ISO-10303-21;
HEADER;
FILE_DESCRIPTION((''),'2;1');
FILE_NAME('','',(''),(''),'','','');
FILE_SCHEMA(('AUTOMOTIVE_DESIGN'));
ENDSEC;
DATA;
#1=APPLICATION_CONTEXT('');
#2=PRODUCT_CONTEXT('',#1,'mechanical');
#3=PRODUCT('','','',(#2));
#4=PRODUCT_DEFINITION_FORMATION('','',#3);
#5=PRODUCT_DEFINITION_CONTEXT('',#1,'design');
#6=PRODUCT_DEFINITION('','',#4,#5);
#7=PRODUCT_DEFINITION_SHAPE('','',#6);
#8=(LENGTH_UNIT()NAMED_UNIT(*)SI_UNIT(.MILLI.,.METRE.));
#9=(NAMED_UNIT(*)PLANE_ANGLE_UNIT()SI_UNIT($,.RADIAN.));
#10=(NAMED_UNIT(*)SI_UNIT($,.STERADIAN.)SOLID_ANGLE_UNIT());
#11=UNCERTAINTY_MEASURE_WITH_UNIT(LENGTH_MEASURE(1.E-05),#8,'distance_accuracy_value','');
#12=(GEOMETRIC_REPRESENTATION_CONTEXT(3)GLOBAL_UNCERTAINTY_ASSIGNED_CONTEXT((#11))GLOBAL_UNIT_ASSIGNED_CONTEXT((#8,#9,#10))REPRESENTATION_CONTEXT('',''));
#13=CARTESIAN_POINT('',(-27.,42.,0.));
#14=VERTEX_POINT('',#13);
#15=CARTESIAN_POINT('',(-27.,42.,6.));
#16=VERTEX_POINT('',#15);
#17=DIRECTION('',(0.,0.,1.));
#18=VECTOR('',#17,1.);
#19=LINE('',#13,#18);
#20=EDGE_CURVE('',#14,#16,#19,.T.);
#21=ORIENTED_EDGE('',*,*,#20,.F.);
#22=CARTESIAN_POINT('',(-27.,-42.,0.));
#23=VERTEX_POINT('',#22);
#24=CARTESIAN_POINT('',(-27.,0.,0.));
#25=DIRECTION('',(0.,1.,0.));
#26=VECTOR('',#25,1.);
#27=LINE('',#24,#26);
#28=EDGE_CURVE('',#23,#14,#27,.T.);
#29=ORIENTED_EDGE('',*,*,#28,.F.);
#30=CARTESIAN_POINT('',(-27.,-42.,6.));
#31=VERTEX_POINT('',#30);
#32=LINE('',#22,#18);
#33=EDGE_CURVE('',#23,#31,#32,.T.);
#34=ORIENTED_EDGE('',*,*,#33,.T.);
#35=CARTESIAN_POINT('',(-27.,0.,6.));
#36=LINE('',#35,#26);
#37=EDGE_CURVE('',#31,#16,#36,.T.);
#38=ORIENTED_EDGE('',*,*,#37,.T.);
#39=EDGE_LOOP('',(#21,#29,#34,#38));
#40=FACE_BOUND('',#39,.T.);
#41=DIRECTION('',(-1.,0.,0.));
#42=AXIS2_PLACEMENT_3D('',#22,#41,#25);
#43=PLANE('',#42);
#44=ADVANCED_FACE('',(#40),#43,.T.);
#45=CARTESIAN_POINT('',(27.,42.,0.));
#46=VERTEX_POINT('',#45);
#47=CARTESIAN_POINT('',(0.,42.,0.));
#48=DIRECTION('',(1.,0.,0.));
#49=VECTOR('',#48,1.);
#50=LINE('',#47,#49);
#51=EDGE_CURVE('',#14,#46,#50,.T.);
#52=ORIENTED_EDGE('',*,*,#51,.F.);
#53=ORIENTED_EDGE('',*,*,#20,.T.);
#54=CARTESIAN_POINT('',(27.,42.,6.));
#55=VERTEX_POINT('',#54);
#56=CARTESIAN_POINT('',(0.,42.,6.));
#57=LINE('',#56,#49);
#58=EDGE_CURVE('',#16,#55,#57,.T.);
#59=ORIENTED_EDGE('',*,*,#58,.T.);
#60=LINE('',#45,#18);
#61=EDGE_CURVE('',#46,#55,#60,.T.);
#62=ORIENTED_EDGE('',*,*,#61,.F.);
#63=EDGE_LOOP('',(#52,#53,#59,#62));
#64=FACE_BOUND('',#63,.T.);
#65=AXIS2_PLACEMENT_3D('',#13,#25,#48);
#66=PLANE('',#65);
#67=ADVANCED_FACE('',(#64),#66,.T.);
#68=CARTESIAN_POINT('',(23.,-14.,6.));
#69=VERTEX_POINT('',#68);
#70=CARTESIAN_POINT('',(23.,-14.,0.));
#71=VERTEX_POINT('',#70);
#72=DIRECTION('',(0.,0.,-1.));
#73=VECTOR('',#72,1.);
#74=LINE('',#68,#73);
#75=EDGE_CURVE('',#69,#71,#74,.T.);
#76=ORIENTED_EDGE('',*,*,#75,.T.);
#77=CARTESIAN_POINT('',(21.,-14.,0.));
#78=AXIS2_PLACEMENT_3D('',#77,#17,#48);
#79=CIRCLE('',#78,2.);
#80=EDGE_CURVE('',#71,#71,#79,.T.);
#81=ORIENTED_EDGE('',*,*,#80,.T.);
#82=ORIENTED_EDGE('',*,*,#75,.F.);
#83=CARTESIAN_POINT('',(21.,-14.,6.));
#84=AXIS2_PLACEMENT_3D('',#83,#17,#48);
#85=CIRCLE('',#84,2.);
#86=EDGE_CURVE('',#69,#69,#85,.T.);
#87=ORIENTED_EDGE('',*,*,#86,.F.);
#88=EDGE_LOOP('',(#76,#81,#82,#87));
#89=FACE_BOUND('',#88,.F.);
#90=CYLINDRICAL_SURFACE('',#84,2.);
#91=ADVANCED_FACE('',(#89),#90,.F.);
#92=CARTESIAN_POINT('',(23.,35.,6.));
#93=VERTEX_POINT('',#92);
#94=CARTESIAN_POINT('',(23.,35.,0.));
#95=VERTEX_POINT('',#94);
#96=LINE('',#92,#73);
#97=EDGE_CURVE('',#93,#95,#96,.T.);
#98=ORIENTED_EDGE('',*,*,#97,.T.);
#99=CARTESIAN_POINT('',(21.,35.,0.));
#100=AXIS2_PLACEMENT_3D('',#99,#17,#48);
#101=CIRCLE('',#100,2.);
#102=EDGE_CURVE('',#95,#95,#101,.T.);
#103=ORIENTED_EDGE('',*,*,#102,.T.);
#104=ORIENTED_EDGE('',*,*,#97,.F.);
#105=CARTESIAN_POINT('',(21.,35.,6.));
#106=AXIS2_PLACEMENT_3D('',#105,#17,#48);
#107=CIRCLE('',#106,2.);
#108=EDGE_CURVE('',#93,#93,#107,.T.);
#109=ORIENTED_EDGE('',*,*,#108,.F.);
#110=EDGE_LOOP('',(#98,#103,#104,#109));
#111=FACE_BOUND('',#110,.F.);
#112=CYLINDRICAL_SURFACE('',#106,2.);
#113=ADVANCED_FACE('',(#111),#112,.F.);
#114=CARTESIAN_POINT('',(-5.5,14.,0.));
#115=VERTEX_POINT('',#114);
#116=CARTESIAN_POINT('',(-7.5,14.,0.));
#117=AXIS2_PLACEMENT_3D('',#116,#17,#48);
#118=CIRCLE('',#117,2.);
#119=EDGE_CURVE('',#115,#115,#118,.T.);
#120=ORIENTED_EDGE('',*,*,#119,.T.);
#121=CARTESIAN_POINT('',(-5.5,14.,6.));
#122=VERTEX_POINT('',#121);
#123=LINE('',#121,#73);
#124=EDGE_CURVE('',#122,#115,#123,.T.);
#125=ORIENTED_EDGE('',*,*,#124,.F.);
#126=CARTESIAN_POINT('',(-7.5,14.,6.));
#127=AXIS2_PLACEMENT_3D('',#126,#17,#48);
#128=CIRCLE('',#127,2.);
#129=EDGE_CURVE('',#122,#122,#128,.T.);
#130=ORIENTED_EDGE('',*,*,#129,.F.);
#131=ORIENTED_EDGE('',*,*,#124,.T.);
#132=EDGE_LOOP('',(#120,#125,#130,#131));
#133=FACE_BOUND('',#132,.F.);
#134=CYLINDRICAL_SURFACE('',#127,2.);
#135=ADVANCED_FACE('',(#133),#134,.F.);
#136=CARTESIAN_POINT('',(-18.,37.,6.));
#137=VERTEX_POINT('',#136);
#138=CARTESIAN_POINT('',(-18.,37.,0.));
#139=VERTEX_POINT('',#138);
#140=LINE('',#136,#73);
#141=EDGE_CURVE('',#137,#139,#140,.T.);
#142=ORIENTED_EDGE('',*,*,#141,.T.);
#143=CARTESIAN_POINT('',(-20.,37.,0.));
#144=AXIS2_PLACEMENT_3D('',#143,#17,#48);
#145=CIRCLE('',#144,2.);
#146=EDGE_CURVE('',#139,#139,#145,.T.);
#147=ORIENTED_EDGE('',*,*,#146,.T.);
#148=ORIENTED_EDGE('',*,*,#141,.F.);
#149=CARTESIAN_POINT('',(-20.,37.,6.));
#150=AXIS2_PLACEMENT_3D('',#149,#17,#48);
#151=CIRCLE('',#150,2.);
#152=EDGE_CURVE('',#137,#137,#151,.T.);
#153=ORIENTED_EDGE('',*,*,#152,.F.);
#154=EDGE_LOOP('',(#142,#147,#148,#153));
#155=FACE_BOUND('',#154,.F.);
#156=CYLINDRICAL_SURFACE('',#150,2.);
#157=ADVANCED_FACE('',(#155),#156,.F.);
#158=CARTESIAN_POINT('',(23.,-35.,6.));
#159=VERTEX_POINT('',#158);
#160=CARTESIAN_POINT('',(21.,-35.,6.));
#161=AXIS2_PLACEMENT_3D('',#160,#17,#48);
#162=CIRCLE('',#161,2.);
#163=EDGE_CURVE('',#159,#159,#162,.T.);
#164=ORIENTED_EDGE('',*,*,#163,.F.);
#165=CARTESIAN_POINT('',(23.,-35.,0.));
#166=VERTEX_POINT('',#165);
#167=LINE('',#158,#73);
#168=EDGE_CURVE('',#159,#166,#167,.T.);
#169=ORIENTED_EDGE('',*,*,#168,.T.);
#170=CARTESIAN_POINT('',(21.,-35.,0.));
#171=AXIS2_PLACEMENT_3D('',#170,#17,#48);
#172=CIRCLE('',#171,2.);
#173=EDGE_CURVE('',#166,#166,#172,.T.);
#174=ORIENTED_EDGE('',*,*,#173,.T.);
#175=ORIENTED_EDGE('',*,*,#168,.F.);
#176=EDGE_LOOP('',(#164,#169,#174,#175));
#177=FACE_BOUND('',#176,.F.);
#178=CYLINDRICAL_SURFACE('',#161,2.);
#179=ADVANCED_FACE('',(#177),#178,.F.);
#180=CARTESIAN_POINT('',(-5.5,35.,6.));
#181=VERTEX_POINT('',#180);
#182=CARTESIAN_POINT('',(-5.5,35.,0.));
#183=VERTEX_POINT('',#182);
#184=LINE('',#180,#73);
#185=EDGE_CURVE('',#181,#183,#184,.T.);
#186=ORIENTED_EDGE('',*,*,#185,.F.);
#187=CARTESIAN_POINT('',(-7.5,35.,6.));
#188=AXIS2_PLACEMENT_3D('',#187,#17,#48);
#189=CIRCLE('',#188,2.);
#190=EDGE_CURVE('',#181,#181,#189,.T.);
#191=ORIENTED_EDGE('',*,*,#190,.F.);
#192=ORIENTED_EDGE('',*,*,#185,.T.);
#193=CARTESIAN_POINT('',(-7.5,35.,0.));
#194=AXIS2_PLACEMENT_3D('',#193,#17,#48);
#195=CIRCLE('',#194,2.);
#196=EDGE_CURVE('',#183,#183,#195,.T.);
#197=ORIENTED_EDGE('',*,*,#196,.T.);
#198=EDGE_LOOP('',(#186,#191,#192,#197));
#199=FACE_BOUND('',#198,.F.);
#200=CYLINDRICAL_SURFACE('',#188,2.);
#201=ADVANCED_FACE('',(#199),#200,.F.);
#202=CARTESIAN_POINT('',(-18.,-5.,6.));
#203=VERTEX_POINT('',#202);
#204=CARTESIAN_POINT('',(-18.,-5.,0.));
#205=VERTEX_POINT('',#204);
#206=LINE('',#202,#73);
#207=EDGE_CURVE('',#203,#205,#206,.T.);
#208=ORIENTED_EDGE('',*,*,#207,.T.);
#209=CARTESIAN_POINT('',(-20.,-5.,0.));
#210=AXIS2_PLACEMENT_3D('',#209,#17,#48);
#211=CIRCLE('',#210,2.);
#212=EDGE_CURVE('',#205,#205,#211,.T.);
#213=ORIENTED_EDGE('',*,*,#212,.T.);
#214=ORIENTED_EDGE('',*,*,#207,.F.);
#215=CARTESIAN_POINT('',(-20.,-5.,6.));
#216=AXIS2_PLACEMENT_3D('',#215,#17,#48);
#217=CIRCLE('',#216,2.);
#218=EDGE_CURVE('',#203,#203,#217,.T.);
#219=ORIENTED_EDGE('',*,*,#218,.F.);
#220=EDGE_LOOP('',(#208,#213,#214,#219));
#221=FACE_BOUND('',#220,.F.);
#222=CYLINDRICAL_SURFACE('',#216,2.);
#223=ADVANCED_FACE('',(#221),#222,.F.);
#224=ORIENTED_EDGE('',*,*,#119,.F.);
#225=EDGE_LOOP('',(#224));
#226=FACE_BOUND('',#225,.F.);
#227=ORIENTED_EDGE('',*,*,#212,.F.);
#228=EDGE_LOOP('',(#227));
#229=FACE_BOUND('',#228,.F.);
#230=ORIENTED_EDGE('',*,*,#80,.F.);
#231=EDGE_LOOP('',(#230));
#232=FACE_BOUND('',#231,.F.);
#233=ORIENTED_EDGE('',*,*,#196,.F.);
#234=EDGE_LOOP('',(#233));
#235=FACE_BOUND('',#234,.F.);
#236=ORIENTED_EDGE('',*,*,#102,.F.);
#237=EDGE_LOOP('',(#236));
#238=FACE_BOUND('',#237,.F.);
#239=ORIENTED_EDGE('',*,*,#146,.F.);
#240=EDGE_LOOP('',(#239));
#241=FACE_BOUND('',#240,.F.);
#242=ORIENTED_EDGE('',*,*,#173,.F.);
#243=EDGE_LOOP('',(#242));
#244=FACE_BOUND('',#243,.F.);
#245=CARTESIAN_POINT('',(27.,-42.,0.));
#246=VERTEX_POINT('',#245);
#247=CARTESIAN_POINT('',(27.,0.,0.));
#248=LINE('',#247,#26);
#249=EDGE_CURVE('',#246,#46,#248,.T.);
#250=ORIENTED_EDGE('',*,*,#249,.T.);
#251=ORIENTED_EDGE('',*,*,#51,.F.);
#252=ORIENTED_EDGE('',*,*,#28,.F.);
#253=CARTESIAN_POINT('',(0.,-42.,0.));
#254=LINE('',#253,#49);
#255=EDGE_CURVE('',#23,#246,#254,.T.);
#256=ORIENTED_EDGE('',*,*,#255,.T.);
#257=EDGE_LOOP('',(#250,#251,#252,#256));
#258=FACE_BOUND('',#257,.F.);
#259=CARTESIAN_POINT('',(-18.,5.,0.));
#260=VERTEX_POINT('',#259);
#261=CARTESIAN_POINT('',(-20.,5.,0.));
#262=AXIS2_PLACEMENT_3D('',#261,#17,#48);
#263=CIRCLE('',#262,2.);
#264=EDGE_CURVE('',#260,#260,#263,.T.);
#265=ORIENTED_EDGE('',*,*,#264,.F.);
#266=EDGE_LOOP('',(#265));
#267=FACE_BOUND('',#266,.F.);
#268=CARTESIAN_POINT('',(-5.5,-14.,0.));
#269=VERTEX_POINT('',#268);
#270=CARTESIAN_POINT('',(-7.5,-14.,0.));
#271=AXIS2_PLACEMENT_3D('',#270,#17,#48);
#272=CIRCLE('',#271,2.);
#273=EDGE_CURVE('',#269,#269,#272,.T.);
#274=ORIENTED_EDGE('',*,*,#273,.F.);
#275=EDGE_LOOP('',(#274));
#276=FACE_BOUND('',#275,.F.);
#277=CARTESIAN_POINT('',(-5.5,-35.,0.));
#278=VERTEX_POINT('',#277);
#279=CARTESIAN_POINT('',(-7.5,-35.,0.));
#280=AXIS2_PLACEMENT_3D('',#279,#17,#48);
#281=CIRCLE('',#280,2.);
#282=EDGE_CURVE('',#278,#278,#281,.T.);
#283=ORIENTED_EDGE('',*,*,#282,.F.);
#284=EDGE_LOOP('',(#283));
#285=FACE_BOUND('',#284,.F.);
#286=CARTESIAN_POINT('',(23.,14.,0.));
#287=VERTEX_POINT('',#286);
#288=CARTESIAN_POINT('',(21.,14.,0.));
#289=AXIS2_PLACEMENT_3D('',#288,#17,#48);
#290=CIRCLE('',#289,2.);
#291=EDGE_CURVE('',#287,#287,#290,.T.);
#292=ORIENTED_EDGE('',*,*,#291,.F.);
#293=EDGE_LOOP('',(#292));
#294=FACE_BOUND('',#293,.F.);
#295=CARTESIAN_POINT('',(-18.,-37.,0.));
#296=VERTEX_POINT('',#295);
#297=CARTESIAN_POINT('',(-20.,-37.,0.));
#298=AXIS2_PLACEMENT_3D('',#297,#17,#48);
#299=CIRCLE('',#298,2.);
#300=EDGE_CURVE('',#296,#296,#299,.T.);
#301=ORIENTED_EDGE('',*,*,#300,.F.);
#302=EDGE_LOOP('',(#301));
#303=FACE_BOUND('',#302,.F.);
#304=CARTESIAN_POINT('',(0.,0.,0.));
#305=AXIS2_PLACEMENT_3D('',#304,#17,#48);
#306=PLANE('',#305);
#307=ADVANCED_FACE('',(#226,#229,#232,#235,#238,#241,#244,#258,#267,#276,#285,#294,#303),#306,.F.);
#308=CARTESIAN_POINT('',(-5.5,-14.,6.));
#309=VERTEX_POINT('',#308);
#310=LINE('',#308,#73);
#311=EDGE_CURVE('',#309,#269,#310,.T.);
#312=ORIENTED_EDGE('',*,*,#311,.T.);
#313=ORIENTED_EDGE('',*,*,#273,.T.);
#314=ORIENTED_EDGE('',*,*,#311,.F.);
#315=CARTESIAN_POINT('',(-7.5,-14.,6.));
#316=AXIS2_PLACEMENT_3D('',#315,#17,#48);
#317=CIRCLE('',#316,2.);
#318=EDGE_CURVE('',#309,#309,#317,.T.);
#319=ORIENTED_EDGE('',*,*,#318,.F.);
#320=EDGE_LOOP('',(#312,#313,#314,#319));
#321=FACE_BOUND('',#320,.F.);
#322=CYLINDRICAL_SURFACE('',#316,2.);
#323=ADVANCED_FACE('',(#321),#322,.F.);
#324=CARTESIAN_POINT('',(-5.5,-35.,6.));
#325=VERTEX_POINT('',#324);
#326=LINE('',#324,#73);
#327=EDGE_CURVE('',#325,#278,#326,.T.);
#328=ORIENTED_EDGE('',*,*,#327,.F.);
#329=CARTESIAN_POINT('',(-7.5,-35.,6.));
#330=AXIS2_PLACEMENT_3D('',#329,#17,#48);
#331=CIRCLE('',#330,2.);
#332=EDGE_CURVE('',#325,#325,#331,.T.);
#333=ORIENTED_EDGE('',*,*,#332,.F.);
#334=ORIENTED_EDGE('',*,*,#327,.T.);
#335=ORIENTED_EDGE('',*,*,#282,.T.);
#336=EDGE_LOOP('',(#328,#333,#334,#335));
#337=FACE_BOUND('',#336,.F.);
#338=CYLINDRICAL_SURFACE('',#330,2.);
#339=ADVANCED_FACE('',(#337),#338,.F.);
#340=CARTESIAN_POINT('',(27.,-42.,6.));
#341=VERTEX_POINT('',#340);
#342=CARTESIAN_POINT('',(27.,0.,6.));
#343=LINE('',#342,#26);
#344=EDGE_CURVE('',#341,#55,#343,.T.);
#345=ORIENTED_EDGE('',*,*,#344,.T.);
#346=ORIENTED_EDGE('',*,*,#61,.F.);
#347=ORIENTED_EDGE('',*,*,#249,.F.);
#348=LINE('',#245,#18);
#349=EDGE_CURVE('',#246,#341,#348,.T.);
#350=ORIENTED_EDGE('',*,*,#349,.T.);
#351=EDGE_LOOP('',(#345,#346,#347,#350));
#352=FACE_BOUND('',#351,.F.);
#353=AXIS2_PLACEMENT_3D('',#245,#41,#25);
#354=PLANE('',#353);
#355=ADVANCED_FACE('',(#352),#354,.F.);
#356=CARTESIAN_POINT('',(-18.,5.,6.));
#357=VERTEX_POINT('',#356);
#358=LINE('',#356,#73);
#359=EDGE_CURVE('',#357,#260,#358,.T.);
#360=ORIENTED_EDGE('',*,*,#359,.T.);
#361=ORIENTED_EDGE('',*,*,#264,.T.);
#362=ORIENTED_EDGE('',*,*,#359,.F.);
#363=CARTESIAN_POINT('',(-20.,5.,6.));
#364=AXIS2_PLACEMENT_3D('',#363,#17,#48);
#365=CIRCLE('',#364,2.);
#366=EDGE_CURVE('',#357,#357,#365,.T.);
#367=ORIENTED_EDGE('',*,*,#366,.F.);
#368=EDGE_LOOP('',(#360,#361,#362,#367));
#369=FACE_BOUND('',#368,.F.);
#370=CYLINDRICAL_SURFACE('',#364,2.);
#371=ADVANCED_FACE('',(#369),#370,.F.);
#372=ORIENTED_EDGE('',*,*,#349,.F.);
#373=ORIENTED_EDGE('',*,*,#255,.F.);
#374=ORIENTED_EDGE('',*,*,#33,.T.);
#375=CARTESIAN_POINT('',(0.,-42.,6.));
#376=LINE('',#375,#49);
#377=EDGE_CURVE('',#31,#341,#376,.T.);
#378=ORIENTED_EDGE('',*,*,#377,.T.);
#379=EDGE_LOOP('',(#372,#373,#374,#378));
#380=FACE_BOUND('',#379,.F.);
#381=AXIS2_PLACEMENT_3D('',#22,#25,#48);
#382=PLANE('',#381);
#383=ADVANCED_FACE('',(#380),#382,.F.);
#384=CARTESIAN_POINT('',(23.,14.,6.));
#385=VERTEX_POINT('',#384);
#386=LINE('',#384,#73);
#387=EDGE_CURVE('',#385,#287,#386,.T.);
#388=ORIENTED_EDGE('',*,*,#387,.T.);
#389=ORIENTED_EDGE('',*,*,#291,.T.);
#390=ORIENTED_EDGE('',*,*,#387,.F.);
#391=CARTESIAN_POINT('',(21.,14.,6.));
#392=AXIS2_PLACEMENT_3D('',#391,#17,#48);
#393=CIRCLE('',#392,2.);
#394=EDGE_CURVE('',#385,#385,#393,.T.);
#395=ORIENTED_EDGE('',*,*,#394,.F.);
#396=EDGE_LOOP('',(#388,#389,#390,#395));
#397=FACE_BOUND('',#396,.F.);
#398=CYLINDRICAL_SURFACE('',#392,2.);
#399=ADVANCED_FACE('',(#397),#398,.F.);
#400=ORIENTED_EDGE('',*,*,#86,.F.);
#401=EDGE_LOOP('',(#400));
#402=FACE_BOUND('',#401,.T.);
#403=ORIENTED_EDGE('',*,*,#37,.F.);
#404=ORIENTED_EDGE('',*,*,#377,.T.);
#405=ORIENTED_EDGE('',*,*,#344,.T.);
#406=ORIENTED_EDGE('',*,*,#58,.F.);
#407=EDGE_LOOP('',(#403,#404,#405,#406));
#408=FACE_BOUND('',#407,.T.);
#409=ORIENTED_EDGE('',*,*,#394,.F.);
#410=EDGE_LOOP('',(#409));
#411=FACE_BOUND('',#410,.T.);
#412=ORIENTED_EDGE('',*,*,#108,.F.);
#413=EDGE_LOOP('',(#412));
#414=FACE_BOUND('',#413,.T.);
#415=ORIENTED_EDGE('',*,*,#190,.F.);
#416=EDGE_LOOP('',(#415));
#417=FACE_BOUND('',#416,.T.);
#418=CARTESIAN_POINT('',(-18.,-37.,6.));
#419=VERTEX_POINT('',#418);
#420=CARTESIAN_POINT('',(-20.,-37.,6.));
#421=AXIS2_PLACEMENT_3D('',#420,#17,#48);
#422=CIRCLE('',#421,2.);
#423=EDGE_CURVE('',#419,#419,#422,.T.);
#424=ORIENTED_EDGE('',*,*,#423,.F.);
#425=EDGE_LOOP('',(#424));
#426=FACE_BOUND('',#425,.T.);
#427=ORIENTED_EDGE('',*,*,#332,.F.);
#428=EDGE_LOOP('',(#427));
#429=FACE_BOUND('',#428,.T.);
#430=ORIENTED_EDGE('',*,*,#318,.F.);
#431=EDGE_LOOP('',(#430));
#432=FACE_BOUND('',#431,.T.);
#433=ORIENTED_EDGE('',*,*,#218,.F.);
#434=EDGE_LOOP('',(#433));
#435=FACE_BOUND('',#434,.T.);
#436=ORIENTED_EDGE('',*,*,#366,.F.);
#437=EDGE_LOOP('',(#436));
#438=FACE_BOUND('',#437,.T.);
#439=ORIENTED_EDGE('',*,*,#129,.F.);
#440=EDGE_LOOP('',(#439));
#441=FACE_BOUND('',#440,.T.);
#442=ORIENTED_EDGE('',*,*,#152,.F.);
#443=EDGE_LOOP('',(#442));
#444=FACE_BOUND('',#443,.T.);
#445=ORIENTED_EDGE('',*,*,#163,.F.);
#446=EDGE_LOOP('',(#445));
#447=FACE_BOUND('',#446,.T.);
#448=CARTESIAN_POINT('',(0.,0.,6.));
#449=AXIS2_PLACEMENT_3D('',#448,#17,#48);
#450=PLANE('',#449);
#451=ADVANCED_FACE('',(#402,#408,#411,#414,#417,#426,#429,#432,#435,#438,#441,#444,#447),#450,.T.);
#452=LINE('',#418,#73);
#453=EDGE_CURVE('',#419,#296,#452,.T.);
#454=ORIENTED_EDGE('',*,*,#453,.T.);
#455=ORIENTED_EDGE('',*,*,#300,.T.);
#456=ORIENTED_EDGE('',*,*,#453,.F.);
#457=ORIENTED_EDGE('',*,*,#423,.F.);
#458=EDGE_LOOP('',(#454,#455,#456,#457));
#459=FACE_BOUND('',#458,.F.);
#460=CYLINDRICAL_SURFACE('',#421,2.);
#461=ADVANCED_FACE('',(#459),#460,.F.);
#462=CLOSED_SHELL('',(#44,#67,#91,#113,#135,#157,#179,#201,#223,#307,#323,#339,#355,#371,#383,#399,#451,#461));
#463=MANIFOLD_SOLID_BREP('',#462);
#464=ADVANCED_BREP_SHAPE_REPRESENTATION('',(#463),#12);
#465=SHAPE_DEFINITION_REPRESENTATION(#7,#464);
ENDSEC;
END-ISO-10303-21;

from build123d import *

# Parameters (mm, degrees)
F0_W     = 54
F0_H     = 84
F1_DEPTH = 6
F3_R     = 2
F4_DEPTH = 6


with BuildPart() as f1:
    # F0 (on Top) → F1 (new body)
    with BuildSketch(Plane.XY):
        Rectangle(F0_W, F0_H)
    extrude(amount=F1_DEPTH)

    # F3 (on face) → F4 (cut, through all)
    with BuildSketch(Plane.XY.offset(6)):
        with Locations((-7.5, 14)):
            Circle(F3_R)
        with Locations((-7.5, -14)):
            Circle(F3_R)
        with Locations((-20, 5)):
            Circle(F3_R)
        with Locations((-20, -5)):
            Circle(F3_R)
        with Locations((21, 14)):
            Circle(F3_R)
        with Locations((21, -14)):
            Circle(F3_R)
        with Locations((21, -35)):
            Circle(F3_R)
        with Locations((21, 35)):
            Circle(F3_R)
        with Locations((-20, 37)):
            Circle(F3_R)
        with Locations((-7.5, 35)):
            Circle(F3_R)
        with Locations((-20, -37)):
            Circle(F3_R)
        with Locations((-7.5, -35)):
            Circle(F3_R)
    extrude(amount=-F4_DEPTH, mode=Mode.SUBTRACT)


solid = f1.part
